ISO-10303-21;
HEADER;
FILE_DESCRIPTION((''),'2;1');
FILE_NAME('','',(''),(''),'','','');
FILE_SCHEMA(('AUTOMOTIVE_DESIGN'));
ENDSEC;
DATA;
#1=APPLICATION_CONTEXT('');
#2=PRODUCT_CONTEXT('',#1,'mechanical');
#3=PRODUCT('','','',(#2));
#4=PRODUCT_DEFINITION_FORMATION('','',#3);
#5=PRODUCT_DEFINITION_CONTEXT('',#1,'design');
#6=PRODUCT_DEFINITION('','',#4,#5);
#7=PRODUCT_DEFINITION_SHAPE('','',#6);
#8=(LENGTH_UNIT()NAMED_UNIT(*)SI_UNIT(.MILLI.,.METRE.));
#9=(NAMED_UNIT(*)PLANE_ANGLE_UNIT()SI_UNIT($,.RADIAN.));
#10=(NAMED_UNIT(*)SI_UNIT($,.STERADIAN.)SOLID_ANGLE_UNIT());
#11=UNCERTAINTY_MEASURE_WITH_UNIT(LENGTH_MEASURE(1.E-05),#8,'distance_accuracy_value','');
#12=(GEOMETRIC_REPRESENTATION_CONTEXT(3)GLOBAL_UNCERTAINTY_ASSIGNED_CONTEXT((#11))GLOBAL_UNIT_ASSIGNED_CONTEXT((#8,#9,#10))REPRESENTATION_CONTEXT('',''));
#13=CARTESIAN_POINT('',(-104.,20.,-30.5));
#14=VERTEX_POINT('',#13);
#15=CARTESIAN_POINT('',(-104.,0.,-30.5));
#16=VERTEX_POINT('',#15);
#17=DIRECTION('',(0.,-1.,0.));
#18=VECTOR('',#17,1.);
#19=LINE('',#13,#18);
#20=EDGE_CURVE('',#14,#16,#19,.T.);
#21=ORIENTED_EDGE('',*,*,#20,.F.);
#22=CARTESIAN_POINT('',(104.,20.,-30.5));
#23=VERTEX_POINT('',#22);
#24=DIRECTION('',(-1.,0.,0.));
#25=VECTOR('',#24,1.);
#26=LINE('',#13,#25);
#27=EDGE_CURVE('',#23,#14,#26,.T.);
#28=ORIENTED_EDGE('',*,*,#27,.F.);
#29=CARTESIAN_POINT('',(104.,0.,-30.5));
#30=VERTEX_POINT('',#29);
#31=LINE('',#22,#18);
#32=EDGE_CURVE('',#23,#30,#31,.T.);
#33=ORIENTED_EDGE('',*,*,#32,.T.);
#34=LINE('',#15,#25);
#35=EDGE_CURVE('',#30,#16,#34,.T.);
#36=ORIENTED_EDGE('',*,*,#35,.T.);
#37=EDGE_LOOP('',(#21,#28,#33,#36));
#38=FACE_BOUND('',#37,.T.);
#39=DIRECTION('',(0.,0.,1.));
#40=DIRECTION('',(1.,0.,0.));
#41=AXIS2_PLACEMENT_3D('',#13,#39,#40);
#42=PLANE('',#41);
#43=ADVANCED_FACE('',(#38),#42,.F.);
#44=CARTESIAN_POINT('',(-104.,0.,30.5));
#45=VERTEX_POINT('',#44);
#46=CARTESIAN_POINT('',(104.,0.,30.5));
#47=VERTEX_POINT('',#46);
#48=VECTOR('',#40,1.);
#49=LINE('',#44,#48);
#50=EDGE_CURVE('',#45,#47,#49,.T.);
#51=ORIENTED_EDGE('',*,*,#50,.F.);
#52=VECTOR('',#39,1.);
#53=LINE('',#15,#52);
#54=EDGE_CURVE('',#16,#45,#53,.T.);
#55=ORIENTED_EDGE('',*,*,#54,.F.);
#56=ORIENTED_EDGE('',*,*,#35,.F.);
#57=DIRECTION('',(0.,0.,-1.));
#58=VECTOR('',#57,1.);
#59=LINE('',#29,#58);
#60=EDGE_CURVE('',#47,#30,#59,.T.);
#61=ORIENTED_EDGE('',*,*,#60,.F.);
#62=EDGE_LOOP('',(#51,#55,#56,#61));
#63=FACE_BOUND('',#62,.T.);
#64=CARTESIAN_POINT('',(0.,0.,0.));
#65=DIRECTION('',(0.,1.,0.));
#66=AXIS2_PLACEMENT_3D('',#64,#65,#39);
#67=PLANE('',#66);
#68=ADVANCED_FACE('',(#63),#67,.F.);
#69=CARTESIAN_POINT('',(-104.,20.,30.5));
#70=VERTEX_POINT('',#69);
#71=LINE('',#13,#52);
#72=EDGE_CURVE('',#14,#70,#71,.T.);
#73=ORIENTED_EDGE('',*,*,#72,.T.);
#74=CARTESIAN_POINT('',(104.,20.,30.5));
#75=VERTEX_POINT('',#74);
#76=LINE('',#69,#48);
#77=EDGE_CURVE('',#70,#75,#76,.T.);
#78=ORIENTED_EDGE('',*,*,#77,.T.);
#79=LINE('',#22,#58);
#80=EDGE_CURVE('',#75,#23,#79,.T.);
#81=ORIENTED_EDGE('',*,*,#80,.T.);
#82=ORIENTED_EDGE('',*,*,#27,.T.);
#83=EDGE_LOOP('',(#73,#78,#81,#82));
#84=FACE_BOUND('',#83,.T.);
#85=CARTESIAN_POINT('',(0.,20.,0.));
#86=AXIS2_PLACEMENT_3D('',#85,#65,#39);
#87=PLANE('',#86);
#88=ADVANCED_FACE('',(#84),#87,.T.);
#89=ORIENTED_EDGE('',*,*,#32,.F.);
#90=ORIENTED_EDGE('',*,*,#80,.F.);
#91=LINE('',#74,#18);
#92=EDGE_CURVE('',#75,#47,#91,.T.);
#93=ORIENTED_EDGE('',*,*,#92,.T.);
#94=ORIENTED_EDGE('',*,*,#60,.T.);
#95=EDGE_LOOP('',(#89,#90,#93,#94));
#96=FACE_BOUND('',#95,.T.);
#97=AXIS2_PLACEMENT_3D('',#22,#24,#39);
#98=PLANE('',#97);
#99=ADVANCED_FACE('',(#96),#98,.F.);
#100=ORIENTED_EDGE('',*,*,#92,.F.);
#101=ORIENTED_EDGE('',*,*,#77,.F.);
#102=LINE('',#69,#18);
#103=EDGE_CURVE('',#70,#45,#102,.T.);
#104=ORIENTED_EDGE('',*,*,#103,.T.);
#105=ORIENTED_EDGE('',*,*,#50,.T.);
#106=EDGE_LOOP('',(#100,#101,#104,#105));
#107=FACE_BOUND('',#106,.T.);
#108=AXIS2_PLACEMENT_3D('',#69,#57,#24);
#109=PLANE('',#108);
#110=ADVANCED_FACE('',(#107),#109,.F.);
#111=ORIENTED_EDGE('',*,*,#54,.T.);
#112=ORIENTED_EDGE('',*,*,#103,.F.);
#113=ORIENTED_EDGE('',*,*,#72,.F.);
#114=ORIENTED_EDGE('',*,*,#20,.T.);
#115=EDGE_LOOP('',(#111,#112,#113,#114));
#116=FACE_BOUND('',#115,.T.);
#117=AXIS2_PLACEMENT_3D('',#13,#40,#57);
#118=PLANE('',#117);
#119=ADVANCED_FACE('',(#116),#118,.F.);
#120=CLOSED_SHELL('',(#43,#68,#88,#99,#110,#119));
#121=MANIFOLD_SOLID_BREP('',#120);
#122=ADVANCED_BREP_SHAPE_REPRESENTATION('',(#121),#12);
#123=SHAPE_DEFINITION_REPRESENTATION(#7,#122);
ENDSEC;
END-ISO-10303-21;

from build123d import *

# Parameters (mm, degrees)
SKETCH_1_W      = 208
SKETCH_1_H      = 61
EXTRUDE_1_DEPTH = 20


with BuildPart() as part:
    # ｽｹｯﾁ1 → ﾎﾞｽ - 押し出し1 (new body)
    with BuildSketch(Plane(origin=(0, 0, 0), x_dir=(1, 0, 0), z_dir=(0, 1, 0))):
        Rectangle(SKETCH_1_W, SKETCH_1_H)
    extrude(amount=EXTRUDE_1_DEPTH)


solid = part.part
